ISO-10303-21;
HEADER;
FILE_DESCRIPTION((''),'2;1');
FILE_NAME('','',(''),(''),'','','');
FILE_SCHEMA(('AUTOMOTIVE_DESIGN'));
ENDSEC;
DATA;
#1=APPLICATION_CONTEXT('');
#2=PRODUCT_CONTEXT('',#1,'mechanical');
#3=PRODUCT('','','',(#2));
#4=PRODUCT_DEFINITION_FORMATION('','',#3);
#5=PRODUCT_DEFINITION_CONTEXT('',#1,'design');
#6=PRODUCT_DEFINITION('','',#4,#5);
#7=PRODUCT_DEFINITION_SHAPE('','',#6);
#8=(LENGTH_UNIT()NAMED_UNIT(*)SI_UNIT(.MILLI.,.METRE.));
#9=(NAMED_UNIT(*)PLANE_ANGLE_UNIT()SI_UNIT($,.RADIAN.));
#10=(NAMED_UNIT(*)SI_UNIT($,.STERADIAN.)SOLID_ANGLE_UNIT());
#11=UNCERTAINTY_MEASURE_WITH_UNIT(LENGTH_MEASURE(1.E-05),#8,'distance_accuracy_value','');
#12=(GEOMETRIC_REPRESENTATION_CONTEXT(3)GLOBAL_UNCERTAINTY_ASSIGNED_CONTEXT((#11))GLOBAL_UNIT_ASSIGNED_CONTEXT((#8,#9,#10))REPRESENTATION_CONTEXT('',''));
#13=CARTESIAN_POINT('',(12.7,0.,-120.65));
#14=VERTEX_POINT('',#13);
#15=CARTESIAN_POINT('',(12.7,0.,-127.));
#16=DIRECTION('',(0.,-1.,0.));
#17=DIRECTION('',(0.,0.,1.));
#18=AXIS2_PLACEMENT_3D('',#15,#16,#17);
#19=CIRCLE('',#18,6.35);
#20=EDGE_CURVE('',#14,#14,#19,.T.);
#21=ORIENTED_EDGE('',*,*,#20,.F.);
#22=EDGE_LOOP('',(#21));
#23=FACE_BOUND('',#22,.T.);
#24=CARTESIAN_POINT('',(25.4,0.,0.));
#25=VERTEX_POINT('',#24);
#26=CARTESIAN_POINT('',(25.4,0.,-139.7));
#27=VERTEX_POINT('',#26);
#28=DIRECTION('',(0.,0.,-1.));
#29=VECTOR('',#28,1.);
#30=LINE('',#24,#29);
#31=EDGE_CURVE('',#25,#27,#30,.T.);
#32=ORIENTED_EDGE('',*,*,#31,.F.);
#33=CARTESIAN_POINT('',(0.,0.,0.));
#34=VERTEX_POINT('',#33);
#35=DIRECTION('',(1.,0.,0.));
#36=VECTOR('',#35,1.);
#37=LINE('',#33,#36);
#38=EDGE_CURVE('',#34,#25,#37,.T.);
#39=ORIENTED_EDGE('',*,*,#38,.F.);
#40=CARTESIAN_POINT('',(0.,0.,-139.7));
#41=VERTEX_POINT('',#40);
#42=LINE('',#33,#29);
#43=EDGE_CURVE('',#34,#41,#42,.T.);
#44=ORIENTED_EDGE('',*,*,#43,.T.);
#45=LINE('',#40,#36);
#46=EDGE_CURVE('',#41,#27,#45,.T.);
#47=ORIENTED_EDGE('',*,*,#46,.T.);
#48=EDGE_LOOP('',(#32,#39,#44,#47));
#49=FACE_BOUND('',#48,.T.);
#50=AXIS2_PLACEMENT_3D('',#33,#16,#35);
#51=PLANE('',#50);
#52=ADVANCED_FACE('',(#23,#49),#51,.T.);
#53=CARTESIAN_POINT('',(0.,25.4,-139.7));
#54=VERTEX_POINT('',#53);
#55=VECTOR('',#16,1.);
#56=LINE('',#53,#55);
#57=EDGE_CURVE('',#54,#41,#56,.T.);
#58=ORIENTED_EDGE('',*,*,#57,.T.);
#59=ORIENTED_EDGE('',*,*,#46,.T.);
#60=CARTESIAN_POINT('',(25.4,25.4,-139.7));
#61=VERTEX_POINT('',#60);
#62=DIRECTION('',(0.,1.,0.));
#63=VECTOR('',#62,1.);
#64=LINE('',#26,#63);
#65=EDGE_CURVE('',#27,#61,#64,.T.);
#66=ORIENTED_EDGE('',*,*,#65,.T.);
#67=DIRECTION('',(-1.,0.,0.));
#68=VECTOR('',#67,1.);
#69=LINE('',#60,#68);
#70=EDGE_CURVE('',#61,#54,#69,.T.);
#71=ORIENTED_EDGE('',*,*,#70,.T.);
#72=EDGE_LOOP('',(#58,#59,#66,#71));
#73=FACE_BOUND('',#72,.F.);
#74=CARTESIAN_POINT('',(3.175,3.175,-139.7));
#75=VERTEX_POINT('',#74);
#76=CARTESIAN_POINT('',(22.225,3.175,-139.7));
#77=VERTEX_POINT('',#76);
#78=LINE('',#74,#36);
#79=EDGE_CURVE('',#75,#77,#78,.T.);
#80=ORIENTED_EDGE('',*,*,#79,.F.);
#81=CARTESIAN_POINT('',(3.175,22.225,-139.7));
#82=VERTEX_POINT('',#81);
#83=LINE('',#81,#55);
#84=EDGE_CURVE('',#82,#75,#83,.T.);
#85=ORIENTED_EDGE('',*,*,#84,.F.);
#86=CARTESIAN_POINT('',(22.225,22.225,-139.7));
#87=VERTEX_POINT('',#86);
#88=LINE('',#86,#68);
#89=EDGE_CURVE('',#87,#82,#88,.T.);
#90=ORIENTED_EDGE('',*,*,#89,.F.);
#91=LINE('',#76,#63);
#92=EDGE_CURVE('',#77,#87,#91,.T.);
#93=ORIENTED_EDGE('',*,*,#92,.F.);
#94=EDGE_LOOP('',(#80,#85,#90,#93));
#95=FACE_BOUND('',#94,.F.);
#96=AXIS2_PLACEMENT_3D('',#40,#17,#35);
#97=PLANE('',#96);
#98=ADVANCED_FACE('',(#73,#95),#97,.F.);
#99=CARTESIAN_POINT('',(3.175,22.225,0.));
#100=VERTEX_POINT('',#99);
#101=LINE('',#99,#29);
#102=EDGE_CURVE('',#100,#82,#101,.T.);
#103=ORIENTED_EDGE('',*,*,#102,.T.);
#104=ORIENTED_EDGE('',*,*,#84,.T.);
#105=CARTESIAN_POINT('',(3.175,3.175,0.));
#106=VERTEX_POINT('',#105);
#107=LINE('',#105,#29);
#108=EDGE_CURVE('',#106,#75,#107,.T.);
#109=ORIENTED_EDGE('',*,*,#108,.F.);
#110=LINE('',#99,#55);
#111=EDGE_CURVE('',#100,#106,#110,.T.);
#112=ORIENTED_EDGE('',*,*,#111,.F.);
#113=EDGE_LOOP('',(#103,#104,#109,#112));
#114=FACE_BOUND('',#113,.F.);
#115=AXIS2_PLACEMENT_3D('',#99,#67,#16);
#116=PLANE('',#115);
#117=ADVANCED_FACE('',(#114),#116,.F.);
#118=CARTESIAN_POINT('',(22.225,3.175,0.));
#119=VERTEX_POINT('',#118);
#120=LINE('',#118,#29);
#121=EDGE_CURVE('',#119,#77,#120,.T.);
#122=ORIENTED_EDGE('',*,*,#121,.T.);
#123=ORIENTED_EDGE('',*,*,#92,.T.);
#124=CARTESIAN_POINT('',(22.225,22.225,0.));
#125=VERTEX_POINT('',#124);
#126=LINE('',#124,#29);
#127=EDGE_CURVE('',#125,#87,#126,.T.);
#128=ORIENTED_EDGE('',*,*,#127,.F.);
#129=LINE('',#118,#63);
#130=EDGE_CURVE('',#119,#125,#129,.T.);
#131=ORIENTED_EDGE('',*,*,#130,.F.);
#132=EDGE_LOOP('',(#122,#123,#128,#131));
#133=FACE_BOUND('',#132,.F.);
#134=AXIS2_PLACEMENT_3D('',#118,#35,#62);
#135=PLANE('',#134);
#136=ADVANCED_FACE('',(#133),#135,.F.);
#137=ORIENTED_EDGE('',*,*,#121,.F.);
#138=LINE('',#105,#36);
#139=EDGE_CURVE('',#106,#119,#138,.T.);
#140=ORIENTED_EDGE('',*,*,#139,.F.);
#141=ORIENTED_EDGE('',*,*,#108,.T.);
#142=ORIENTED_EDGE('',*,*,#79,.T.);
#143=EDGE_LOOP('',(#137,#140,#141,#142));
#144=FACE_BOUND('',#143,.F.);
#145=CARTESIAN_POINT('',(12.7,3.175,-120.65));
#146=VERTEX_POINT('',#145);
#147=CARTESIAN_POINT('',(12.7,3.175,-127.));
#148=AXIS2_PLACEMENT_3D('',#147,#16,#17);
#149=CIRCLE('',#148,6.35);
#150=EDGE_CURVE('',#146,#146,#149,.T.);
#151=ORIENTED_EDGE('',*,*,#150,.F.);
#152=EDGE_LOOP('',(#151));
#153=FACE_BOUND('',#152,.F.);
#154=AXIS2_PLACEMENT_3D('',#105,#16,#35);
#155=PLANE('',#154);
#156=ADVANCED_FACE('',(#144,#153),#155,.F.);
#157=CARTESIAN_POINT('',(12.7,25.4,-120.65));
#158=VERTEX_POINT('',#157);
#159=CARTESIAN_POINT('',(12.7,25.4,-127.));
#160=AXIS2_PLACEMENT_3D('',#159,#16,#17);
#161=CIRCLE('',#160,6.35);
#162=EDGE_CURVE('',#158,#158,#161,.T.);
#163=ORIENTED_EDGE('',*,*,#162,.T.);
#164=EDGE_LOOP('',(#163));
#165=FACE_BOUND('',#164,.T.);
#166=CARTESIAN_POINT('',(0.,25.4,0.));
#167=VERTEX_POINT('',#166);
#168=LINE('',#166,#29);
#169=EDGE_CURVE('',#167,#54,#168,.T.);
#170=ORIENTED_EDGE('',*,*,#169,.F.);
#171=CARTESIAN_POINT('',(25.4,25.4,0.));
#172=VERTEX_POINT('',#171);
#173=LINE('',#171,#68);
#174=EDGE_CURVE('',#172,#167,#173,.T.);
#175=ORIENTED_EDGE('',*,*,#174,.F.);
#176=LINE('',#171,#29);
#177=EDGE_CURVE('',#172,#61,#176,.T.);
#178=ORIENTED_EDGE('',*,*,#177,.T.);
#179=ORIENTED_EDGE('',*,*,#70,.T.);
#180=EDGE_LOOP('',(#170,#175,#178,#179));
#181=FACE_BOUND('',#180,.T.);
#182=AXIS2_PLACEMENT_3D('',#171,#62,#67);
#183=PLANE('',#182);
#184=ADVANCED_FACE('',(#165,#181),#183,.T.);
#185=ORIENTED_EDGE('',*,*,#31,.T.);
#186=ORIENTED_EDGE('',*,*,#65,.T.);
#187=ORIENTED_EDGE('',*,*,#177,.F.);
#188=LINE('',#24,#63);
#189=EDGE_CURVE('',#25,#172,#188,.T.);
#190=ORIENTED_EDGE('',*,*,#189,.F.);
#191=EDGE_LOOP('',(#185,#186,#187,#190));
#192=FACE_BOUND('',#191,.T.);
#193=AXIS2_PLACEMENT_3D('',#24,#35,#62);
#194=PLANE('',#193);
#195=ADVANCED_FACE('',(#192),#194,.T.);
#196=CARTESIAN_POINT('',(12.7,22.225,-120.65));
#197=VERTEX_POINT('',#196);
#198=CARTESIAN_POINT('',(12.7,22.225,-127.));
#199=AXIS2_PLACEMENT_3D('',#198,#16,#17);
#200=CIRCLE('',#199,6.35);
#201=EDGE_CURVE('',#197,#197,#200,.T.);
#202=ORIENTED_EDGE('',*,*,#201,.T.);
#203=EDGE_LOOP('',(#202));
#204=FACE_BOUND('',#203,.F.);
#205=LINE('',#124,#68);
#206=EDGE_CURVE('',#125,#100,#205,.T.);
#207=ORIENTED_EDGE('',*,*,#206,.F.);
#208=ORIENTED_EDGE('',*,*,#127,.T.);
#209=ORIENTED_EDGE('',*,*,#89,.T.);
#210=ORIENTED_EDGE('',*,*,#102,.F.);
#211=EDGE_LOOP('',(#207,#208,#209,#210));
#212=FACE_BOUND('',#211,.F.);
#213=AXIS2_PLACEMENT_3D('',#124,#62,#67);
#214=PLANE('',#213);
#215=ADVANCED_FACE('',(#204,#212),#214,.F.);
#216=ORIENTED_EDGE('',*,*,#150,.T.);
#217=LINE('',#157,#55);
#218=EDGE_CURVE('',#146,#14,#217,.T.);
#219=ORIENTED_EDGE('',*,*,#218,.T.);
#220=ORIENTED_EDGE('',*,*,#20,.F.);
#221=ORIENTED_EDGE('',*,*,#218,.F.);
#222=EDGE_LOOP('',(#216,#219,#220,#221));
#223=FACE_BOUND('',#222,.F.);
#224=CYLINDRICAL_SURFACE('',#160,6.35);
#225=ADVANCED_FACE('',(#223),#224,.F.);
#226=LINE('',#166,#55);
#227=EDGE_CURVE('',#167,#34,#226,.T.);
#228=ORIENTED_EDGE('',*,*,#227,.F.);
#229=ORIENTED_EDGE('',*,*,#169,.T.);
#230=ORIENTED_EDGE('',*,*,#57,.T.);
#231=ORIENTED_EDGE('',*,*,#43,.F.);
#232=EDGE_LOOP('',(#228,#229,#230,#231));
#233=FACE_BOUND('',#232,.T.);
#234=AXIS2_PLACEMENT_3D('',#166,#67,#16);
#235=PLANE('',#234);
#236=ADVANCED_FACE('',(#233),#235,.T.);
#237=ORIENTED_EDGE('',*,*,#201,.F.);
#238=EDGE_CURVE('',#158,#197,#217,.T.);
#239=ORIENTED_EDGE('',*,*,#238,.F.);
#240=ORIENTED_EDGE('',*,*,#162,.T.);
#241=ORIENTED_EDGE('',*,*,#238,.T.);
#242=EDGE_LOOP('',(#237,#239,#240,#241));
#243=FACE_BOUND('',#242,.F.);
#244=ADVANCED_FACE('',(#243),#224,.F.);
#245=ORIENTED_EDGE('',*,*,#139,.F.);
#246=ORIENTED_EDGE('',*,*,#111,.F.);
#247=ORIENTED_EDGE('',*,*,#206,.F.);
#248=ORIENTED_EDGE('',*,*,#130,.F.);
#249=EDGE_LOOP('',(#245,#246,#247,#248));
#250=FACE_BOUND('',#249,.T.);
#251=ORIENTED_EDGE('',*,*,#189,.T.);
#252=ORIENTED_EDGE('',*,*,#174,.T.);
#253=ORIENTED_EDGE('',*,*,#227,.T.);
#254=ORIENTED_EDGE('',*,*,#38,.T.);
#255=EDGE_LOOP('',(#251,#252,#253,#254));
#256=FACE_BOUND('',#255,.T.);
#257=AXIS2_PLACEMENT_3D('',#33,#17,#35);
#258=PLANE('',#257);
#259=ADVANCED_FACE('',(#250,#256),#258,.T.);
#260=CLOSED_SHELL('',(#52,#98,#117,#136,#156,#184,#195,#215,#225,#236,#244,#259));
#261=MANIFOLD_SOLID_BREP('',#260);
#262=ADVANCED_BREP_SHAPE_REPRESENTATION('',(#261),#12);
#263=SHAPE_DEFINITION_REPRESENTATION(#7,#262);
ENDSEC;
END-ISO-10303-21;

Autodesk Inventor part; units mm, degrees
ref_plane "YZ Plane" through (0, 0, 0) normal (1, 0, 0) x (0, 1, 0)
ref_plane "XZ Plane" through (0, 0, 0) normal (0, 1, 0) x (-1, 0, 0)
ref_plane "XY Plane" through (0, 0, 0) normal (0, 0, 1) x (1, 0, 0)
sketch "Sketch1" plane through (0, 0, 0) normal (0, 0, 1) x (1, 0, 0)
  line L0 (0, 0) -> (25.4, 0)
  line L1 (25.4, 0) -> (25.4, 25.4)
  line L2 (25.4, 25.4) -> (0, 25.4)
  line L3 (0, 25.4) -> (0, 0)
  line L4 (3.175, 3.175) -> (22.225, 3.175)
  line L5 (22.225, 3.175) -> (22.225, 22.225)
  line L6 (22.225, 22.225) -> (3.175, 22.225)
  line L7 (3.175, 22.225) -> (3.175, 3.175)
  dimension "d0" = 25.4
  dimension "d1" = 25.4
  dimension "d2" = 3.175
extrude "Extrusion1" add sketch "Sketch1" against normal blind 139.7
sketch "Sketch2" plane through (0, 25.4, 0) normal (0, 1, 0) x (1, 0, 0)
  line L0 (25.4, 139.7) -> (0, 139.7) projected
  point P0 (12.7, 127)
  dimension "d5" = 12.7
hole "Hole1" at (12.7, 25.4, -127) direction (0, -1, 0) diameter 12.7 depth 25.4 tip angle 118
properties part number "short thing"
